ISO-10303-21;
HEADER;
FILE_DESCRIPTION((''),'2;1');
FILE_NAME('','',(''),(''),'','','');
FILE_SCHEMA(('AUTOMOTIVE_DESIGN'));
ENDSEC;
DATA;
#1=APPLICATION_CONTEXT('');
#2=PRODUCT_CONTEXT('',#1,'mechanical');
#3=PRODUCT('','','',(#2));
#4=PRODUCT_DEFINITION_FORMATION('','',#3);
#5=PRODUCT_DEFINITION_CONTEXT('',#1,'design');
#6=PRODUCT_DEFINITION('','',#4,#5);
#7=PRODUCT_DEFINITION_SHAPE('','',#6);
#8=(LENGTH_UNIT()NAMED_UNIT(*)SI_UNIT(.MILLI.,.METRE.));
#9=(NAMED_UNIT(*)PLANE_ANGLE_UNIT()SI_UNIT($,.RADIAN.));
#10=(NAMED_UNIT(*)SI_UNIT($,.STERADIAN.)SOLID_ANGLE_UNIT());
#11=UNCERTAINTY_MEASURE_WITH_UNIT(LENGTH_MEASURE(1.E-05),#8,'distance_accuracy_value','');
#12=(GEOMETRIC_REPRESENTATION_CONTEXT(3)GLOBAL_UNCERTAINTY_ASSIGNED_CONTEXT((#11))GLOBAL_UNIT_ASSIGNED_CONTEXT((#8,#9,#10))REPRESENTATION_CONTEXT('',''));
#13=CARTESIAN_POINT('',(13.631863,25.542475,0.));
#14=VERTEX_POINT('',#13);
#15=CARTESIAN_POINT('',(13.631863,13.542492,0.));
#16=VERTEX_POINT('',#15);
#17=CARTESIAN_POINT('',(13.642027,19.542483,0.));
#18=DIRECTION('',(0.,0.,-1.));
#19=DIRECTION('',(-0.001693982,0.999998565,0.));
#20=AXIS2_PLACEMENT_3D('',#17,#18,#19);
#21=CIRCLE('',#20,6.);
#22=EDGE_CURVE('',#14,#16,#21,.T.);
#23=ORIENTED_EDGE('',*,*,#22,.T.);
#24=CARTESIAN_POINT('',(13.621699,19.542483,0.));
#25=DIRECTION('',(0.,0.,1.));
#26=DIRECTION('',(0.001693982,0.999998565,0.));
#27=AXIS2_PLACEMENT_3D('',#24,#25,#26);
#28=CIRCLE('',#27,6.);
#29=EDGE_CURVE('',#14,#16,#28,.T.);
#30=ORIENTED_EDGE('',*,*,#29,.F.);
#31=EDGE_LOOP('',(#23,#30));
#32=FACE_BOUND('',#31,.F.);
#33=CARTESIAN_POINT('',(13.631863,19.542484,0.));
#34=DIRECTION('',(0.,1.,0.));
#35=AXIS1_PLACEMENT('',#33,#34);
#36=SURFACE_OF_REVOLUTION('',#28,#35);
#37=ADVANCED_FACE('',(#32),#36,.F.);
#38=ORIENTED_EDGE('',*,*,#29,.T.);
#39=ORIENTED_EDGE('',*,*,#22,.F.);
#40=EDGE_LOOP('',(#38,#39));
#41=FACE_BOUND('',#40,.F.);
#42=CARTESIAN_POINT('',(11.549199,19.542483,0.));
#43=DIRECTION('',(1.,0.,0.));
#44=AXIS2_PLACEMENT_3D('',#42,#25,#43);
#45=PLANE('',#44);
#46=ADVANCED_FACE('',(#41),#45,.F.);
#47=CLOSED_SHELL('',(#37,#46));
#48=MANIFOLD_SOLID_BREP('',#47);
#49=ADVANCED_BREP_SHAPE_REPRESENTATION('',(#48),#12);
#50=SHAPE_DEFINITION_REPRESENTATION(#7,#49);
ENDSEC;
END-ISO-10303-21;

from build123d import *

# Parameters (mm, degrees)
F1_ANGLE = -180


with BuildPart() as f1:
    # F0 (on Top) → F1 (revolve)
    with BuildSketch(Plane.XY):
        with BuildLine():
            Line((13.631863, 13.542492), (13.631863, 25.542475))
            ThreePointArc((13.631863, 25.542475), (7.621699, 19.542484), (13.631863, 13.542492))
        make_face()
    revolve(axis=Axis((13.631863, 19.542484, 0), (0, -1, 0)), revolution_arc=F1_ANGLE)


solid = f1.part
